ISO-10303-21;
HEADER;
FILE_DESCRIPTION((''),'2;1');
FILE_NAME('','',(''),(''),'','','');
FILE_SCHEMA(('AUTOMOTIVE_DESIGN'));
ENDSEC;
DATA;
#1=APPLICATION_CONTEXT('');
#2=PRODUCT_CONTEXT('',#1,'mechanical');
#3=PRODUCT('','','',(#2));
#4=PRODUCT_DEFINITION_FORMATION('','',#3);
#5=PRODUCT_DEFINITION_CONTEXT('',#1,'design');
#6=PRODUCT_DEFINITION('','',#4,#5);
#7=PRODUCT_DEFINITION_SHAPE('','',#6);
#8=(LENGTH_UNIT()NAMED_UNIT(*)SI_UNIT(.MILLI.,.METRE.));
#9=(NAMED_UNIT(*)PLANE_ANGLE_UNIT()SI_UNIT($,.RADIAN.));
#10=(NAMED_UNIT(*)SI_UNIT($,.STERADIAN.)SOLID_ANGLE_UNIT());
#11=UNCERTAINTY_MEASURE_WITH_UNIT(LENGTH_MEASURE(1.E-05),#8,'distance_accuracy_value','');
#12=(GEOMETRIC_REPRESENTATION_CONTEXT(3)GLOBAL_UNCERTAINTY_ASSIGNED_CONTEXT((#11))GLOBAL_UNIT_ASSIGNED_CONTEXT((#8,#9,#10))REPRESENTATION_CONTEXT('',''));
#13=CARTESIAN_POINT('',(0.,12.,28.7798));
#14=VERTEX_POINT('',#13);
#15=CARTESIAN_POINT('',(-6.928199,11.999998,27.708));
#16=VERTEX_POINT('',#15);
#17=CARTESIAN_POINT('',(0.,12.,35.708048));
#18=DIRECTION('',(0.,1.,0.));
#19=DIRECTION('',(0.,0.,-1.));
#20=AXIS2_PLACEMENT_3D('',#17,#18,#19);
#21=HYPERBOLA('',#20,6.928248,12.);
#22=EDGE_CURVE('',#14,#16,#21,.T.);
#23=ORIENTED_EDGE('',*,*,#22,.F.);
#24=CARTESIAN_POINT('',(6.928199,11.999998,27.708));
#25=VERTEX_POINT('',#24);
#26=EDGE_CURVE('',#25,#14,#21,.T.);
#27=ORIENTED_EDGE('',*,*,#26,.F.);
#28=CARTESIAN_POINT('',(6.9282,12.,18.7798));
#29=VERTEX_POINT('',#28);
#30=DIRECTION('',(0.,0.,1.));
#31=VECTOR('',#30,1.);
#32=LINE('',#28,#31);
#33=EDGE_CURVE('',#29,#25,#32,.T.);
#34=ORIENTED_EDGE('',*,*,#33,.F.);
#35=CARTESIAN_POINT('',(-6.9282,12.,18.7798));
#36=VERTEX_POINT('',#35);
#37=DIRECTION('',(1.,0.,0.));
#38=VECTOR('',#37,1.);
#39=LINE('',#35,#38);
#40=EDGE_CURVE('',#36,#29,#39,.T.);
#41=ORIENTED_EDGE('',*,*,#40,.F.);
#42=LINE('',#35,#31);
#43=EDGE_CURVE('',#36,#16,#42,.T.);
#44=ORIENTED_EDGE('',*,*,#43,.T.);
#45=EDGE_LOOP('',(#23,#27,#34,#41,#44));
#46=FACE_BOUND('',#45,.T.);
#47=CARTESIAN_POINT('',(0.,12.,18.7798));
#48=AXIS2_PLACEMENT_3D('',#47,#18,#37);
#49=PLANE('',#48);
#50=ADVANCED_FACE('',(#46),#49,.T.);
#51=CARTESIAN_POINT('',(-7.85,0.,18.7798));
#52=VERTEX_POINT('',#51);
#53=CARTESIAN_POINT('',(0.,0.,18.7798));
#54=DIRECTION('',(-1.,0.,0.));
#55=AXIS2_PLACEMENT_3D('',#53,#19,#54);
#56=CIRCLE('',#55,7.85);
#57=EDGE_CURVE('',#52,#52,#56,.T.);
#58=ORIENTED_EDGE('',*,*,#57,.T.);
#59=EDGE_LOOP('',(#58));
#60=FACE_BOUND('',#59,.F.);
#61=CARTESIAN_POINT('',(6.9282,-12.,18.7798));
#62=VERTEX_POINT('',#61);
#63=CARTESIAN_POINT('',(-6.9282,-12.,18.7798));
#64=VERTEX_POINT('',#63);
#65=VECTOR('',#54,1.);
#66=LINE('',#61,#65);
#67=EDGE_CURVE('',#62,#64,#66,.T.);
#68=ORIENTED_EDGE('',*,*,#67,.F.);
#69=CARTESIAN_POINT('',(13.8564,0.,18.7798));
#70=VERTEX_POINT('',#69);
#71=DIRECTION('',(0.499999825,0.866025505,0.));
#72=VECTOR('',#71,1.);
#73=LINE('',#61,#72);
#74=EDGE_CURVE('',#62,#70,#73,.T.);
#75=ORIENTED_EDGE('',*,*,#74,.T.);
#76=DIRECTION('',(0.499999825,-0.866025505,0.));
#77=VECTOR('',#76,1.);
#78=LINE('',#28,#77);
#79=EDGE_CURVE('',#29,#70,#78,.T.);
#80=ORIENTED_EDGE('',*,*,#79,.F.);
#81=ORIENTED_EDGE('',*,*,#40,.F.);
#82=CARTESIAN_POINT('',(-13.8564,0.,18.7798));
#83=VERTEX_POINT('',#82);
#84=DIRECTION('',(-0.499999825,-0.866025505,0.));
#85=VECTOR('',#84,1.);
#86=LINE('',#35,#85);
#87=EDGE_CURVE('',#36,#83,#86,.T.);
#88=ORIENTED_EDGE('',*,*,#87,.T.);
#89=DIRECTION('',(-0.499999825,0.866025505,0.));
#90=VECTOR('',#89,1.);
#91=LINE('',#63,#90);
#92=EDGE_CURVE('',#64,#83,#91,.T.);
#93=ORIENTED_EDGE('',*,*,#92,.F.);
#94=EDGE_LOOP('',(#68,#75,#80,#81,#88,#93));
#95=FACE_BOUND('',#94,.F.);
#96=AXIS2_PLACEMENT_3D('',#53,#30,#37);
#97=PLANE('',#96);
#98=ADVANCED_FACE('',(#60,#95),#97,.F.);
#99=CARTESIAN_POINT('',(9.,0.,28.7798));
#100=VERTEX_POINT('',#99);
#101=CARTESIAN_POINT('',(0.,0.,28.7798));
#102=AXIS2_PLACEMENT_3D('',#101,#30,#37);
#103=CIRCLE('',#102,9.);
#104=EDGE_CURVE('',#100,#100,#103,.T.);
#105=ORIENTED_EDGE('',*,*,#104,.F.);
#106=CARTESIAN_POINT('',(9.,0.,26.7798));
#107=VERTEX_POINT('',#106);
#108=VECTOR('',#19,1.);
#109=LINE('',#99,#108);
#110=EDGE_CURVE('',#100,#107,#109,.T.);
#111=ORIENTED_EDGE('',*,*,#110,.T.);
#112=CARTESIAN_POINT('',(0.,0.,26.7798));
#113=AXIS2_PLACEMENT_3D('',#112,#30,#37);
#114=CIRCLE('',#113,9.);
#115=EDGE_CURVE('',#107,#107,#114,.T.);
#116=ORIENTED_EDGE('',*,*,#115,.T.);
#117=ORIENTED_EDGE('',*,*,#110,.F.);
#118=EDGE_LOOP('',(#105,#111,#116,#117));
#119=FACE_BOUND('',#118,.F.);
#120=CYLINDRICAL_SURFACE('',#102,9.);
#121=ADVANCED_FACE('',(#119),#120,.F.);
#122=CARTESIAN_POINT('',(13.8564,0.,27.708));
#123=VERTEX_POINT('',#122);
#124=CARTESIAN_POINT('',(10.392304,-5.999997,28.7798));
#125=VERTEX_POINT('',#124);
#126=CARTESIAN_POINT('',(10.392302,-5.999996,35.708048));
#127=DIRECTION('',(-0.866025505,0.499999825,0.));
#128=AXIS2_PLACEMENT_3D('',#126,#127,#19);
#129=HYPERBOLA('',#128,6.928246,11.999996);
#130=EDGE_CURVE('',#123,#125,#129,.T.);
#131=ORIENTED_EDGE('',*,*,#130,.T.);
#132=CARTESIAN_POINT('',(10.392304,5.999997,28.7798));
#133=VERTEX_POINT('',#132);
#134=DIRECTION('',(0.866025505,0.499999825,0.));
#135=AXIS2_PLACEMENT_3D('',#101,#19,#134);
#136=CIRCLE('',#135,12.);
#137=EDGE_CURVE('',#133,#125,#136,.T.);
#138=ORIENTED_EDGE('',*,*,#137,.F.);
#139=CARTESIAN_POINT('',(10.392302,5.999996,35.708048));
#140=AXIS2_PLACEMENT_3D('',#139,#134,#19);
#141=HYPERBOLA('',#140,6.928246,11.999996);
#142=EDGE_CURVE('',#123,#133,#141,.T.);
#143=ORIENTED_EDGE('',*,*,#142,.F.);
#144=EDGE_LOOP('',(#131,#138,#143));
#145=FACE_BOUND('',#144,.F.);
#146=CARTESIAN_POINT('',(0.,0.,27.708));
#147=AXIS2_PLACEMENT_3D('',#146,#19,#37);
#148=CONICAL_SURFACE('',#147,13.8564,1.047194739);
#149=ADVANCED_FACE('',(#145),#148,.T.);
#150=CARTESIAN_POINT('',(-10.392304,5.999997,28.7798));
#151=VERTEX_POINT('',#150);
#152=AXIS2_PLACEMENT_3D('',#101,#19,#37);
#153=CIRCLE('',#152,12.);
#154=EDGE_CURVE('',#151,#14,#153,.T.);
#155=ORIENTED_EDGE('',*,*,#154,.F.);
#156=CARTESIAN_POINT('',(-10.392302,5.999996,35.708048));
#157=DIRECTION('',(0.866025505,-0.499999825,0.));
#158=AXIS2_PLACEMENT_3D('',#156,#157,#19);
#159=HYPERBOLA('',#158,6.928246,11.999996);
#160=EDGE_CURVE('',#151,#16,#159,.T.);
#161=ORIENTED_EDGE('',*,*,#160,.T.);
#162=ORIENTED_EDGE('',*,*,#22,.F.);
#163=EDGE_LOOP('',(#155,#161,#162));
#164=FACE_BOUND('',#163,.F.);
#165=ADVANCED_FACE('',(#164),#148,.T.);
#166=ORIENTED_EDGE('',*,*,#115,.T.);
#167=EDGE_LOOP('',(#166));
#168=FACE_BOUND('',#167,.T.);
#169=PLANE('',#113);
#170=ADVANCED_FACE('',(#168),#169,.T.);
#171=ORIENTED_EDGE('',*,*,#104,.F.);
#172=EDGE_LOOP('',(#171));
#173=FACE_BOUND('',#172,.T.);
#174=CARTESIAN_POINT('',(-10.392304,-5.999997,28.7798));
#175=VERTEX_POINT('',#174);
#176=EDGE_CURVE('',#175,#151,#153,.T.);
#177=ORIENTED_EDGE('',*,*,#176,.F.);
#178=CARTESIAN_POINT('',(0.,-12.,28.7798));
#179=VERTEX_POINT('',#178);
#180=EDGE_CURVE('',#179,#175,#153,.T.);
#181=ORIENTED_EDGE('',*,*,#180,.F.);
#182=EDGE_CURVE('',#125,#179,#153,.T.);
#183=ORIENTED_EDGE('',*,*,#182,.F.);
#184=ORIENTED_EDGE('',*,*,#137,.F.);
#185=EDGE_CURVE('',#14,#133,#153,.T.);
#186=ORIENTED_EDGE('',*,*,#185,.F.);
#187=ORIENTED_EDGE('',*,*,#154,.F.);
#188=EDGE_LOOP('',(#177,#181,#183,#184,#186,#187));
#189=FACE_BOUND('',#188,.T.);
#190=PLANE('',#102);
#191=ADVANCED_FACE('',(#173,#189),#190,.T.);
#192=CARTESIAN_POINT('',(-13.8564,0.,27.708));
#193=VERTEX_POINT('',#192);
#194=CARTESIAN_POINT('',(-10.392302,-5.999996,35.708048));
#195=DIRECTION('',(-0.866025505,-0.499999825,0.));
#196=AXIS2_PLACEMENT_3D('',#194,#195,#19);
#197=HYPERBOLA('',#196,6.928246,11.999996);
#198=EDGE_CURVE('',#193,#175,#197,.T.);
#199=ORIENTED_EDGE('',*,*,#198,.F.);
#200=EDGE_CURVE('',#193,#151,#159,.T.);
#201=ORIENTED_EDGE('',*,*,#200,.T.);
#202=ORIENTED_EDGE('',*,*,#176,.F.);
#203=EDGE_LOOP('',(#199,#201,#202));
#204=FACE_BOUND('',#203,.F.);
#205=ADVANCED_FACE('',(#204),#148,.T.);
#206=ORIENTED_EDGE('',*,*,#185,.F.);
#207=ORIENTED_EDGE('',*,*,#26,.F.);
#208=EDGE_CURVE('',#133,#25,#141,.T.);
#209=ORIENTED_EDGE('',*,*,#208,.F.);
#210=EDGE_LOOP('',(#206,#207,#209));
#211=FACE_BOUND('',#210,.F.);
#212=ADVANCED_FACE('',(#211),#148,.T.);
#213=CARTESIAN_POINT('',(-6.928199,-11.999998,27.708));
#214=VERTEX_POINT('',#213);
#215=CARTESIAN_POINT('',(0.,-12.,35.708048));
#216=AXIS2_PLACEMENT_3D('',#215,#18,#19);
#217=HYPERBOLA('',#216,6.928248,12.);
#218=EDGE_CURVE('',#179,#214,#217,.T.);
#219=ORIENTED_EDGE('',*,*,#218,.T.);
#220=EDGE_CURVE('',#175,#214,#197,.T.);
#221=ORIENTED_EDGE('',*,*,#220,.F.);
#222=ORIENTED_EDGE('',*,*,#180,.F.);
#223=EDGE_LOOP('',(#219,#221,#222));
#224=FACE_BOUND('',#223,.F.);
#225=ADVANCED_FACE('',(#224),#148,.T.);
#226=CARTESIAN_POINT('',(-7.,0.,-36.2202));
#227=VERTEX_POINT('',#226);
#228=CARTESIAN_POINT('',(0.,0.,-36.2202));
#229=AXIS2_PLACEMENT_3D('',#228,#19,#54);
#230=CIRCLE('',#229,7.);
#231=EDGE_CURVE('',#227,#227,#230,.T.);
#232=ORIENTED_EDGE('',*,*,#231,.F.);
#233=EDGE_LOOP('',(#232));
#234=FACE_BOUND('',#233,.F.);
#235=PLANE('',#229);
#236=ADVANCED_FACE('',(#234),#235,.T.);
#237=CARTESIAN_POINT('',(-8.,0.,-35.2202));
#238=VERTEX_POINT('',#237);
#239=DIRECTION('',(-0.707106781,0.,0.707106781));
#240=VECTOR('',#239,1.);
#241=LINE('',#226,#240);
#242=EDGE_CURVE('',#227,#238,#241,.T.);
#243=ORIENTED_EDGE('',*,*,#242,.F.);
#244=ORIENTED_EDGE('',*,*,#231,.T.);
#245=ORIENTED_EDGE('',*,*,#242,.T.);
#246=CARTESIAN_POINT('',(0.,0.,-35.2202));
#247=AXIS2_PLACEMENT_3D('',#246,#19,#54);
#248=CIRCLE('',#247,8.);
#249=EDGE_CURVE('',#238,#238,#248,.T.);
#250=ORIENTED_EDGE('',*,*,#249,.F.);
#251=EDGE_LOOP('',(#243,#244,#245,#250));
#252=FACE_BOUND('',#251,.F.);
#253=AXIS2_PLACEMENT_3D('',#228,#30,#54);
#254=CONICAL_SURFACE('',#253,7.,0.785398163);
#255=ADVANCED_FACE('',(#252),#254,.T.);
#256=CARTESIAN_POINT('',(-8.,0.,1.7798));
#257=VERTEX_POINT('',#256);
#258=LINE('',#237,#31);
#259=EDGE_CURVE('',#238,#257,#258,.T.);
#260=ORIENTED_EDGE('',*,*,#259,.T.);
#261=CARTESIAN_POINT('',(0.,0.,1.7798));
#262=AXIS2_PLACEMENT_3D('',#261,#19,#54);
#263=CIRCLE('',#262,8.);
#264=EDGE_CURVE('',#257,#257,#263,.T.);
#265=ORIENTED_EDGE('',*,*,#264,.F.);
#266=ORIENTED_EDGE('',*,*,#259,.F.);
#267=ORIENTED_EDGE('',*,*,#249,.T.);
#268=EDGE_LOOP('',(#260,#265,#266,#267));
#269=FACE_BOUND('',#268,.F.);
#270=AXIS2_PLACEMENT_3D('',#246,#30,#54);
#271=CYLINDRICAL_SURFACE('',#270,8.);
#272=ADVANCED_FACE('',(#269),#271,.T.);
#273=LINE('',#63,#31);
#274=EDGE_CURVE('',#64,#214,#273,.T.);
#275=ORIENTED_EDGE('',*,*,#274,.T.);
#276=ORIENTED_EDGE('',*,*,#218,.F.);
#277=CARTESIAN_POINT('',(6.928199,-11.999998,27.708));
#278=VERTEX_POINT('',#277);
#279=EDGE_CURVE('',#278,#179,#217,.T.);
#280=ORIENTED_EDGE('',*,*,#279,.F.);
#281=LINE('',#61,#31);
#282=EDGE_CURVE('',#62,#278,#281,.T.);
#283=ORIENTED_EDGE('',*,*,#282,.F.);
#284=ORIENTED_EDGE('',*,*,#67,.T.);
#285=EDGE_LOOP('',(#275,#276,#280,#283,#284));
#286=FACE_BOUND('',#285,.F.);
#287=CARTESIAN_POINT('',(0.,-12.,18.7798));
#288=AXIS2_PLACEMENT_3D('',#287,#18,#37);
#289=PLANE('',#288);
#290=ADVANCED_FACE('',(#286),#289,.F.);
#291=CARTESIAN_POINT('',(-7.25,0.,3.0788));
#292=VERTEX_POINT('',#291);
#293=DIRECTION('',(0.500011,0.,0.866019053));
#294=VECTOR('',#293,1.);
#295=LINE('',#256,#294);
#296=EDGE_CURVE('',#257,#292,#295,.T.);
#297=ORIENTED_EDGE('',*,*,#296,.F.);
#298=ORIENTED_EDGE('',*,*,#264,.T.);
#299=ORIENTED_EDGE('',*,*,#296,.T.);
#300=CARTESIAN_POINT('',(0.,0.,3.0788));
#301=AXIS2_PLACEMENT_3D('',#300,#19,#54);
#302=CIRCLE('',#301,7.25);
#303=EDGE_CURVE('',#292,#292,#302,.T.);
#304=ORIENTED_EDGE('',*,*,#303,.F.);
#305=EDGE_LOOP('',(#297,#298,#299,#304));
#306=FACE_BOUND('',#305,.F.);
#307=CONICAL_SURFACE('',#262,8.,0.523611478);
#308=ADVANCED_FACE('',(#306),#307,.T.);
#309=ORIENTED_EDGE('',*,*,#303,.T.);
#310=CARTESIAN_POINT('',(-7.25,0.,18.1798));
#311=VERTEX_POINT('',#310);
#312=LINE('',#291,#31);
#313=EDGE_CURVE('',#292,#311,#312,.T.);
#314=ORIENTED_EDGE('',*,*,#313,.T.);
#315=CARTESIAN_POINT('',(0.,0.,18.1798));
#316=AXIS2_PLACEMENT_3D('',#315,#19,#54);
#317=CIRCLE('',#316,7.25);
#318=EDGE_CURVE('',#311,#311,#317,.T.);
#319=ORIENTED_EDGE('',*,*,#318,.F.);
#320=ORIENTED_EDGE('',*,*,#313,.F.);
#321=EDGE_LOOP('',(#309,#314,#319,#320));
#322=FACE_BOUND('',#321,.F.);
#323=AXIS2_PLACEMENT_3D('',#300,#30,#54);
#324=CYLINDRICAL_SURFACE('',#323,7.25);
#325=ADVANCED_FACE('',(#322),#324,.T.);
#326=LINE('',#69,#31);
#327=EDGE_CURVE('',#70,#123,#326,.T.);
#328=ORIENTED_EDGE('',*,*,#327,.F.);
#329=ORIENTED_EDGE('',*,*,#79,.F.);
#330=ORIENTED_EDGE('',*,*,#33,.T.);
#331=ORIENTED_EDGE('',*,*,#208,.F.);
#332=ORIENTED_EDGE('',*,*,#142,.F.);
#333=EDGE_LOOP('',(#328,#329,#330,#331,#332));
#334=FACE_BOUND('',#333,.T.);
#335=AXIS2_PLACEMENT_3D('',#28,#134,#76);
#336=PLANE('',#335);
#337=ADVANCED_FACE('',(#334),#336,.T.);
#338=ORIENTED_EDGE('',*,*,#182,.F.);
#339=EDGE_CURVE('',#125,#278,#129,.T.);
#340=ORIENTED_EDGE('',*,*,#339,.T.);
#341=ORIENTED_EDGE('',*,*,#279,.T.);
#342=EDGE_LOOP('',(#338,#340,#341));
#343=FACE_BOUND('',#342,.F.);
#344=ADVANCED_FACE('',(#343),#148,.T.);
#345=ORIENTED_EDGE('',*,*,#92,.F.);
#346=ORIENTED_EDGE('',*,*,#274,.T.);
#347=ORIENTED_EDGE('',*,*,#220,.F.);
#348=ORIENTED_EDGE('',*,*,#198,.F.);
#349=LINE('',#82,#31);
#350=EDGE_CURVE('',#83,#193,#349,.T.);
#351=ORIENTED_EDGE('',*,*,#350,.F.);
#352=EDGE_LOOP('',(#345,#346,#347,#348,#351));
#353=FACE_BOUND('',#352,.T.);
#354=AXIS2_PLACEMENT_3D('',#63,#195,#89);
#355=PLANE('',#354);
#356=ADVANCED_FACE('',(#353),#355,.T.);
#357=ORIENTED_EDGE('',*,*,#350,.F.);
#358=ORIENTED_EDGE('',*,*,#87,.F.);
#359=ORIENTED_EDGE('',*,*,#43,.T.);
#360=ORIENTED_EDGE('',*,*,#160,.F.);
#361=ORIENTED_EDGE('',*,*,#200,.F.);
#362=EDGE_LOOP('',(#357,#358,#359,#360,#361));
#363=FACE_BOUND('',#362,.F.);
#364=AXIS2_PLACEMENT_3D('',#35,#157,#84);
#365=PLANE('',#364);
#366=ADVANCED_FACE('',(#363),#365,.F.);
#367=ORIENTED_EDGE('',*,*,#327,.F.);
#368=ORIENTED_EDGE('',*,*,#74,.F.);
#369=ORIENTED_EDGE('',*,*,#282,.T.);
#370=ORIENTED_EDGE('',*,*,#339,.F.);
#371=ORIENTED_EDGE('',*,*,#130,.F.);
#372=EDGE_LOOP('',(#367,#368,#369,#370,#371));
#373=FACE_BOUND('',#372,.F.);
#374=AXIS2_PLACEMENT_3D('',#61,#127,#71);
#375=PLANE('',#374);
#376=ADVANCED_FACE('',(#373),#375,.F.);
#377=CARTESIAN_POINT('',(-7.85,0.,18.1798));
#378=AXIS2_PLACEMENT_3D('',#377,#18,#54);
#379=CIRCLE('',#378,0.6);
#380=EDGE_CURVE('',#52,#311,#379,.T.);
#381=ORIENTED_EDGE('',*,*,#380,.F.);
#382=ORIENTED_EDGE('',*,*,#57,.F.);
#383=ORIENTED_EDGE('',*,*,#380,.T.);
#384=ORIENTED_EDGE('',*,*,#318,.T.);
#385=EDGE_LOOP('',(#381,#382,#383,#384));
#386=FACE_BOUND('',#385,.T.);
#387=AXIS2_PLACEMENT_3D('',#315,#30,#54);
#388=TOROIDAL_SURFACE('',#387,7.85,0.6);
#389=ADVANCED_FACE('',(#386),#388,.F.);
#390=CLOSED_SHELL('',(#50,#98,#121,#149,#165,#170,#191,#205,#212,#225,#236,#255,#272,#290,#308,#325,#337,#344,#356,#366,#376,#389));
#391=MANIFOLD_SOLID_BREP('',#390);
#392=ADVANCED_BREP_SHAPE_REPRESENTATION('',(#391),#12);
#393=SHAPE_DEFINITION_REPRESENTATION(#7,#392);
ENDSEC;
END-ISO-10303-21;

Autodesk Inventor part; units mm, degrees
ref_plane "YZ Plane" through (0, 0, 0) normal (1, 0, 0) x (0, 1, 0)
sketch "Schizzo2" plane through (0, 0, 0) normal (0, 1, 0) x (-1, 0, 0)
  line L0 (0, 18.7798) -> (0, -36.2202)
  line L1 (0, -36.2202) -> (7, -36.2202)
  line L2 (8, -35.2202) -> (8, 1.7798)
  line L3 (8, 1.7798) -> (7.25, 3.0788)
  line L4 (7.25, 3.0788) -> (7.25, 18.7798)
  line L5 (7.25, 18.7798) -> (0, 18.7798)
  line L6 (7, -36.2202) -> (8, -35.2202)
  line L7 (8, -36.2202) -> (8, -37.6344)
  line L8 (0, -48.9172) -> (0, 30.0627) projected
  dimension "Ds" = 14.5
  dimension "NND" = 16
  dimension "b" = 38
  dimension "d3" = 30
  dimension "d5" = 45
  dimension "PTC" = 2
  dimension "NLG" = 55
revolve "Rivoluzione1" add sketch "Schizzo2" angle 360 about axis through (0, 0, 18.7798) along (0, 0, -1)
sketch "Schizzo3" plane through (0, 0, 18.7798) normal (0, 0, 1) x (1, 0, 0)
  circle A0 centre (0, 0) radius 7.25 projected
  line L0 (0, 12) -> (6.9282, 12)
  line L1 (6.9282, 12) -> (13.8564, 0)
  line L2 (13.8564, 0) -> (0, 0)
  line L3 (0, 0) -> (0, 12)
  line L4 (0, 12) -> (-6.9282, 12)
  line L5 (-6.9282, 12) -> (-13.8564, 0)
  line L6 (0, -12) -> (6.9282, -12)
  line L7 (6.9282, -12) -> (13.8564, 0)
  line L8 (-6.9282, -12) -> (-13.8564, 0)
  line L9 (0, -12) -> (-6.9282, -12)
  dimension "d9" = 60
  dimension "ParS" = 24
  dimension "msp_d11" = 24
extrude "Estrusione1" add sketch "Schizzo3" along normal blind 10
sketch "Schizzo4" plane through (0, 0, 0) normal (0, 1, 0) x (-1, 0, 0)
  line L0 (-12, 28.7798) -> (-13.8564, 28.7798)
  line L1 (-13.8564, 28.7798) -> (-13.8564, 27.708)
  line L2 (-13.8564, 27.708) -> (-12, 28.7798)
  line L3 (0, 16.7798) -> (0, 30.7798) projected
  line L4 (0, 28.2505) -> (0, 27.1787)
  line L5 (-13.8564, 18.7798) -> (-13.8564, 28.7798) projected
  line L6 (-6.9282, 28.7798) -> (-13.8564, 28.7798) projected
  dimension "d14" = 30
  dimension "msp_d15" = 24
revolve "Rivoluzione2" cut sketch "Schizzo4" angle 360 about axis through (0, 0, 28.2505) along (0, 0, -1)
sketch "Sketch5" plane through (0, 0, 28.7798) normal (0, 0, 1) x (1, 0, 0)
  arc A0 (10.3923, 6) -> (0, 12) centre (0, 0) ccw projected
  circle A1 centre (0, 0) radius 9
  dimension "d27" = 18
extrude "Extrusion2" cut sketch "Sketch5" against normal blind 2
thread "Filettatura1" size "M16x2" class "6g" standard "ISO Metric profile" full length
ref_plane "MSC_PF1" through (0, 0, 0) normal (0, 1, 0) x (-1, 0, 0)
ref_plane "MSC_PT1" through (0, 0, 18.7798) normal (0, 0, -1) x (-1, 0, 0)
fillet "Fillet1" radius 0.6 1 edges at (7.25, 0, 18.7798)
equation "\"d27\" = 0.75 * ParS"
equation "\"d28\" = 0.2 * ParK"
equation "\"d30\" = r"
equation "\"msp_d11\" = ParS"
equation "\"msp_d17\" = b"
equation "\"msp_d15\" = ParS"
equation "\"r\" = 0.6"
equation "\"THREADDIA\" = NND"
equation "\"ParK\" = 10"
properties part number "BS EN ISO 4015 - M16x55" material "Acciaio inox, 440C"
